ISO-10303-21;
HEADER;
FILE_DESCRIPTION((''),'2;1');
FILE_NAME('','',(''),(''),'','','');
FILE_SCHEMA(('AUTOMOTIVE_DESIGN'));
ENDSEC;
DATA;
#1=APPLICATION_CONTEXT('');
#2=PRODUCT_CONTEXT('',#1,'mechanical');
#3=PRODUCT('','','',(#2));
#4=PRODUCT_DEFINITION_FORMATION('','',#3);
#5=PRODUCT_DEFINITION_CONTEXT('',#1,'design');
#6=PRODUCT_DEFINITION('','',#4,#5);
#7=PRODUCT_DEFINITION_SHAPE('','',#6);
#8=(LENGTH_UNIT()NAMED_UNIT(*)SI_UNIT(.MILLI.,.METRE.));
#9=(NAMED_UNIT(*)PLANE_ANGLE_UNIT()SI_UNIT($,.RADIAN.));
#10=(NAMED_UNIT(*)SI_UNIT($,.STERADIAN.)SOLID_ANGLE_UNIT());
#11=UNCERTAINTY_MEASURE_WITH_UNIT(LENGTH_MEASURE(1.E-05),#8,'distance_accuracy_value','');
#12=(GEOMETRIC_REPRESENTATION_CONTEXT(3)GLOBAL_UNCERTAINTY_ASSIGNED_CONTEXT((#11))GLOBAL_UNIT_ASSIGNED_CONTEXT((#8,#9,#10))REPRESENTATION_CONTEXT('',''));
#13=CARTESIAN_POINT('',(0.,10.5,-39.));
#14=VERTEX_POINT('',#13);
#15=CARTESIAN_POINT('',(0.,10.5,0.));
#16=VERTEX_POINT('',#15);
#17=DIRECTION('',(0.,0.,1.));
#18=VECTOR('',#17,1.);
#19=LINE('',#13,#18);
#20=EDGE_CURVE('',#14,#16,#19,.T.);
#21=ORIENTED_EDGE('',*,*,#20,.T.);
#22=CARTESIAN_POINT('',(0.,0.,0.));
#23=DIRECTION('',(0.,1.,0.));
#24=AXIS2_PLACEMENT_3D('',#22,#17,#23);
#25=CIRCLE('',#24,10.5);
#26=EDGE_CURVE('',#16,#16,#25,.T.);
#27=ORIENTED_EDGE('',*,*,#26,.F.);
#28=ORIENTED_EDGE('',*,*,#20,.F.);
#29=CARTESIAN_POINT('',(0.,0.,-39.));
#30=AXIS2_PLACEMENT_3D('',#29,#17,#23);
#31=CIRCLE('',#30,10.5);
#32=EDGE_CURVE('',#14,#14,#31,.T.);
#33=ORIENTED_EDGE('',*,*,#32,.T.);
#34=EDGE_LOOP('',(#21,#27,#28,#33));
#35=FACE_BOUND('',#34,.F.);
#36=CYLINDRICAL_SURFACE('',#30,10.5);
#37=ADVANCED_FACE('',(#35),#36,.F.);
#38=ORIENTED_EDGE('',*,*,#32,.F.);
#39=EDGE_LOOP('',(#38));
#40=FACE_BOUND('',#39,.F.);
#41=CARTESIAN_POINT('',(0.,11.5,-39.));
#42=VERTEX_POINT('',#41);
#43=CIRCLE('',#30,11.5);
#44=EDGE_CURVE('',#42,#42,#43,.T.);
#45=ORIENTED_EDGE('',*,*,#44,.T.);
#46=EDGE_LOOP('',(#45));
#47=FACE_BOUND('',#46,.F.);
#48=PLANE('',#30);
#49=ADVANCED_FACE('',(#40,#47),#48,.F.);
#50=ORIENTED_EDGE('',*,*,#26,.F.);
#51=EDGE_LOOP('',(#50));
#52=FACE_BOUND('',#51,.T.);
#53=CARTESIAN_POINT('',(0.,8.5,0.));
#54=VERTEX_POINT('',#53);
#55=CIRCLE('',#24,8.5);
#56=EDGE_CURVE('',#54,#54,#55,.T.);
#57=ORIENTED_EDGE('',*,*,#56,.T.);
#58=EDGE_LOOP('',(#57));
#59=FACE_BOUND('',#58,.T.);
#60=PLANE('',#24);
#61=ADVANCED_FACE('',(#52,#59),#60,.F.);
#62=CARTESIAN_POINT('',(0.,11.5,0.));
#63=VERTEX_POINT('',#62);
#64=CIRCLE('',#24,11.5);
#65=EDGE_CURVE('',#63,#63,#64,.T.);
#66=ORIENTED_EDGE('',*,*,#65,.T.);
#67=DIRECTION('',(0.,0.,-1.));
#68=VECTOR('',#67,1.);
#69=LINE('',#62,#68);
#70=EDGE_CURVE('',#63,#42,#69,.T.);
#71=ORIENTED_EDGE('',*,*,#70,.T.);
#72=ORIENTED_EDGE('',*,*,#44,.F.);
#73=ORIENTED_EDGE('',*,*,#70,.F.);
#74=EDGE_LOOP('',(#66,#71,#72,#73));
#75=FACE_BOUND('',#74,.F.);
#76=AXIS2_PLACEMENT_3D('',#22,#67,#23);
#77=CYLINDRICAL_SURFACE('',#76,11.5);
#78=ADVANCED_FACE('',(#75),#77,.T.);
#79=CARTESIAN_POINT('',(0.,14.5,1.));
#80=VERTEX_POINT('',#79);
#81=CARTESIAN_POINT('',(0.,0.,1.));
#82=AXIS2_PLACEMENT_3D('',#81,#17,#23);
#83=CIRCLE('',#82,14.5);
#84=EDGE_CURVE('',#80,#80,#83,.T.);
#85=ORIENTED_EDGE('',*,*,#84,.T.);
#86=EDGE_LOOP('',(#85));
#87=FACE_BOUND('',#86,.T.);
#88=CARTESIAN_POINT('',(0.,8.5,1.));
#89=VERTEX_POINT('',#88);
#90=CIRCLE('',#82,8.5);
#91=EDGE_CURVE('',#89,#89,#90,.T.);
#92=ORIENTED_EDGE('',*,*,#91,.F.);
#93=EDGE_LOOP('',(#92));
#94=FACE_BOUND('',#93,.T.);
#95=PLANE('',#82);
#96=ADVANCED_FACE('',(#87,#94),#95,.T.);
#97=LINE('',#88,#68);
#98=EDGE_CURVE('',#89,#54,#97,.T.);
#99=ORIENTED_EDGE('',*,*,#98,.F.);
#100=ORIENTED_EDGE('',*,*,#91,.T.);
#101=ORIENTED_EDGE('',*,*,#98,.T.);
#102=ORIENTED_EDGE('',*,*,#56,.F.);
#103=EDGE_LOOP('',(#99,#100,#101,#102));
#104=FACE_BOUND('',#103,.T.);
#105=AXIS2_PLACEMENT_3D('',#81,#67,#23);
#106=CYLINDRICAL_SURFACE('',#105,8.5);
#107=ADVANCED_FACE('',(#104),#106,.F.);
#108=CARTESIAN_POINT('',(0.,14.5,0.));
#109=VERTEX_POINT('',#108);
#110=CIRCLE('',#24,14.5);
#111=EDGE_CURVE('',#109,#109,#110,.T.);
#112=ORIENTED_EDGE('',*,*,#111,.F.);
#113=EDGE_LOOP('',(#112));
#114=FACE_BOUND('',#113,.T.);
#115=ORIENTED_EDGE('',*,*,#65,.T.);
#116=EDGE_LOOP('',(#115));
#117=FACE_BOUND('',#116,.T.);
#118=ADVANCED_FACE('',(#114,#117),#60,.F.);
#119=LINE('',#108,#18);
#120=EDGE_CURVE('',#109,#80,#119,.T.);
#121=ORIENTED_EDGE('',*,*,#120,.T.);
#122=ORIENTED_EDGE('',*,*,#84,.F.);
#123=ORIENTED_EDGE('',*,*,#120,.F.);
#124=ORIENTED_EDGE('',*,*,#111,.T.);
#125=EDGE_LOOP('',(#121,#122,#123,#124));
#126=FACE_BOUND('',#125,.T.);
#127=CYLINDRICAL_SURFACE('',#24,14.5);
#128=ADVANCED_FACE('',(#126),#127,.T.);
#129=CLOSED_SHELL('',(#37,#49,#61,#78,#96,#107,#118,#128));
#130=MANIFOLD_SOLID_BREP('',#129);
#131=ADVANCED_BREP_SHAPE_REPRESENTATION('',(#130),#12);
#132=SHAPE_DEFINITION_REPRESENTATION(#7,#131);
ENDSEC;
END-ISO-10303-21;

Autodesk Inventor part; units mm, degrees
ref_plane "YZ Plane" through (0, 0, 0) normal (1, 0, 0) x (0, 1, 0)
ref_plane "XZ Plane" through (0, 0, 0) normal (0, 1, 0) x (-1, 0, 0)
ref_plane "XY Plane" through (0, 0, 0) normal (0, 0, 1) x (1, 0, 0)
sketch "Sketch2" plane through (0, 0, 0) normal (1, 0, 0) x (0, 1, 0)
  line L0 (11.5, -39) -> (10.5, -39)
  line L1 (10.5, -39) -> (10.5, 0)
  line L2 (10.5, 0) -> (11.5, 0)
  line L3 (11.5, 0) -> (11.5, -39)
  line L4 (14.5, 1) -> (8.5, 1)
  line L5 (8.5, 1) -> (8.5, 0)
  line L6 (8.5, 0) -> (14.5, 0)
  line L7 (14.5, 0) -> (14.5, 1)
  line L8 (-2.9, 0) -> (17.4, 0) projected
  line L9 (0, -47) -> (0, 9) projected
  point P0 (0, 0)
  point P1 (10.5, 0)
  dimension "d0" = 1
  dimension "d2" = 11.5
  dimension "d3" = 3
  dimension "d4" = 2
  dimension "d5" = 39
revolve "Revolution1" add sketch "Sketch2" angle 360 about axis through (0, 0, -10) along (0, 0, 1)
thread "Thread1" size "M22x1" class "6H" standard "ISO Metric profile" full length
properties part number "bearingShellOuter"
